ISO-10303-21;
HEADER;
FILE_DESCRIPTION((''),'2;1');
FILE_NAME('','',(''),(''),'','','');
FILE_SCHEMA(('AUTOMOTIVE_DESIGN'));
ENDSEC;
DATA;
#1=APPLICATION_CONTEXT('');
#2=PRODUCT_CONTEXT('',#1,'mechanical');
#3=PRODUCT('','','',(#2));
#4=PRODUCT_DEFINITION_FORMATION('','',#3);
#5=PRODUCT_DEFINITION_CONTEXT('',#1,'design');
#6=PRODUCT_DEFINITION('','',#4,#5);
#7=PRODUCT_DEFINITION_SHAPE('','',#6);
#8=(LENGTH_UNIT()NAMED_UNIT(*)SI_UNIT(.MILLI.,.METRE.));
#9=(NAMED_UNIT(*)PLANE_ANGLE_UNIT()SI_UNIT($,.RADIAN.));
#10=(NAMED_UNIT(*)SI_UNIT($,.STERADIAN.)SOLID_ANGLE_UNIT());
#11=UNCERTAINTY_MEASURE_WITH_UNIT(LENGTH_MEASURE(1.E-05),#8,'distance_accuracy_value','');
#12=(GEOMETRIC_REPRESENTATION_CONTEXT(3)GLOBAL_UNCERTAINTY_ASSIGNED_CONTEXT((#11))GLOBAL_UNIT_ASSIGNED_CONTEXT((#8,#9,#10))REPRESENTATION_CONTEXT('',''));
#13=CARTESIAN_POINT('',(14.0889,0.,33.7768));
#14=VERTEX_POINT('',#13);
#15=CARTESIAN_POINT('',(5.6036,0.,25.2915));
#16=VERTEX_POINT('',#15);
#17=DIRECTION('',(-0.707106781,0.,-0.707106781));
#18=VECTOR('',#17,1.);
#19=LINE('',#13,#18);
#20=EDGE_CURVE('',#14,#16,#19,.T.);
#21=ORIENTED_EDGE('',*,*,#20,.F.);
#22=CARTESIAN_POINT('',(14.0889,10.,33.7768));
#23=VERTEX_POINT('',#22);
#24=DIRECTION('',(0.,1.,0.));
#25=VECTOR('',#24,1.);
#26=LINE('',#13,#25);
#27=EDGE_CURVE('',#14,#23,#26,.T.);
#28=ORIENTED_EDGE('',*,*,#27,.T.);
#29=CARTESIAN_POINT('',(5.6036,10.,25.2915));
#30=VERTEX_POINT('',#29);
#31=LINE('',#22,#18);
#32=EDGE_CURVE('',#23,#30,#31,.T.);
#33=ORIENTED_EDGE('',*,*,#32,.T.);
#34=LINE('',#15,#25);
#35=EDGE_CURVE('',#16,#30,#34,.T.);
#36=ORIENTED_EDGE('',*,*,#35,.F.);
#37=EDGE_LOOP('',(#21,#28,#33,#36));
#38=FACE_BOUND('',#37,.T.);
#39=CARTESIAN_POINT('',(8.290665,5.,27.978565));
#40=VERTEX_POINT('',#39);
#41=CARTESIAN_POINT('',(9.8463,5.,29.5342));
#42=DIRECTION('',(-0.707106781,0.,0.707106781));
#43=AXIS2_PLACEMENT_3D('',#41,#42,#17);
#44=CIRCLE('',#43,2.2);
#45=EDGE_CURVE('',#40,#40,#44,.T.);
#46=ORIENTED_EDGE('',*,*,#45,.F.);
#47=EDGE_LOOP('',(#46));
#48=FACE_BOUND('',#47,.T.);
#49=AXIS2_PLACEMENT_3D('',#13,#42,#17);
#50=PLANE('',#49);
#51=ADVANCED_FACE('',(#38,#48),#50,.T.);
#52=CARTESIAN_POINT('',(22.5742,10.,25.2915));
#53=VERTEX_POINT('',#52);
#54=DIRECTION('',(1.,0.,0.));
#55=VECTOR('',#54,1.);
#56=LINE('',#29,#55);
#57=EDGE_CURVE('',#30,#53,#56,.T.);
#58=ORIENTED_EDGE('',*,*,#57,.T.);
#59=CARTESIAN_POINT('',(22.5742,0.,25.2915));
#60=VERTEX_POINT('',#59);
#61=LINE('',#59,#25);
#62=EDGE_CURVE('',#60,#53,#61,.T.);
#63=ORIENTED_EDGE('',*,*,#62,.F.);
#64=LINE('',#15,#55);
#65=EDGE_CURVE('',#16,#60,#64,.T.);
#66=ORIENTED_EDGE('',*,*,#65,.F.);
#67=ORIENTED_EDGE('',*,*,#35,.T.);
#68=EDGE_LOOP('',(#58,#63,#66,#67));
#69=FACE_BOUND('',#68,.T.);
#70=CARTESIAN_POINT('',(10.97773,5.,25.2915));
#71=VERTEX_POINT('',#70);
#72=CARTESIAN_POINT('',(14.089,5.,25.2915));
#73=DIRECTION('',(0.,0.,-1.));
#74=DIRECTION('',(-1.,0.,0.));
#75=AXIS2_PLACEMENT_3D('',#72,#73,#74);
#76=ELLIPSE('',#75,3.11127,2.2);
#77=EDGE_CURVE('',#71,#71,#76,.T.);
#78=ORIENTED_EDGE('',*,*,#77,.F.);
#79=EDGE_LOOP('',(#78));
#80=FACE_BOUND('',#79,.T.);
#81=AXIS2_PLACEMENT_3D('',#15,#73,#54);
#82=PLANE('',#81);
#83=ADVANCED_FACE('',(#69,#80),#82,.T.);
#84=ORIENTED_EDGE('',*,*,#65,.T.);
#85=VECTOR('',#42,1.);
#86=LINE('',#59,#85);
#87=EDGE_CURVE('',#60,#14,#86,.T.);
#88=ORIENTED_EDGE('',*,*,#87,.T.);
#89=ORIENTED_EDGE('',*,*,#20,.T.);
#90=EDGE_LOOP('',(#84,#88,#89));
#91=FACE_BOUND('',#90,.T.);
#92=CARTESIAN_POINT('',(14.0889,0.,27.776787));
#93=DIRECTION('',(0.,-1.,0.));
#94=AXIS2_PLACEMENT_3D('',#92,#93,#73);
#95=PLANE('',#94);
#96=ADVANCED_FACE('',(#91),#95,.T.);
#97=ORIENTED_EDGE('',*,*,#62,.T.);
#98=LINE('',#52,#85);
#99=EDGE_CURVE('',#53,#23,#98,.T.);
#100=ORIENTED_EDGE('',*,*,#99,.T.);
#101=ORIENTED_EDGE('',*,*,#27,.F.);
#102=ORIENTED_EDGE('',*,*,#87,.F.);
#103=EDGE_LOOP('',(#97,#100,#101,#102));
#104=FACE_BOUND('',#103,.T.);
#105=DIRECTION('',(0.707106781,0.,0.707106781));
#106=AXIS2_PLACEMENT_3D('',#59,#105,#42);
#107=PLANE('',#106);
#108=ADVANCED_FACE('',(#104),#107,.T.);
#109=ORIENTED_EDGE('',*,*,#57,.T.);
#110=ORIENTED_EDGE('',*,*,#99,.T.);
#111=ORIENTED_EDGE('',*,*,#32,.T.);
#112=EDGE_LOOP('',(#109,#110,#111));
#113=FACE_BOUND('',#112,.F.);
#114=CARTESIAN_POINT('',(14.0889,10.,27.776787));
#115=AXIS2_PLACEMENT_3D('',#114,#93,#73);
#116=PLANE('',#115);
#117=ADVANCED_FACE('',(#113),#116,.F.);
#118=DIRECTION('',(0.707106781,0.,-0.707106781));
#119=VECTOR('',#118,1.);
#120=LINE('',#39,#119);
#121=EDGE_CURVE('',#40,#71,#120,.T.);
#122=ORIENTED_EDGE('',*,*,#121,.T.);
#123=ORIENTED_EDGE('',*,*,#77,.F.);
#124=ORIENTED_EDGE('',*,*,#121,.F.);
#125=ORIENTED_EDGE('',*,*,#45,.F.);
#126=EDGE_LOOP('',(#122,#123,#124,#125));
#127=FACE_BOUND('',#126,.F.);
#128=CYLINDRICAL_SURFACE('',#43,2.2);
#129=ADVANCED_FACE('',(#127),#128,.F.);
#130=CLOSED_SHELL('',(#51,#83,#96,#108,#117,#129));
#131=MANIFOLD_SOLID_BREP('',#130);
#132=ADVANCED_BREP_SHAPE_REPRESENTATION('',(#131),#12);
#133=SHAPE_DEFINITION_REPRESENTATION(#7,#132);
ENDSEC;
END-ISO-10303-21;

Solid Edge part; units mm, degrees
sketch "Sketch1" plane through (0, 0, 0) normal (0, -1, 0) x (1, 0, 0)
  line L0 (22.5742, 25.2915) -> (14.0889, 33.7768)
  line L1 (14.0889, 33.7768) -> (5.6036, 25.2915)
  line L2 (5.6036, 25.2915) -> (22.5742, 25.2915)
extrude "Protrusion1" add sketch "Sketch1" against normal blind 10
sketch "Sketch2" plane through (9.8463, -6, 29.5342) normal (-0.7071, 0, 0.7071) x (-0.7071, 0, -0.7071)
  circle A0 centre (0, -11) radius 2.2
  dimension "D1" = 5
  dimension "D2" = 6
extrude "ExtrudedCutout_1" cut sketch "Sketch2" against normal blind 38.056
